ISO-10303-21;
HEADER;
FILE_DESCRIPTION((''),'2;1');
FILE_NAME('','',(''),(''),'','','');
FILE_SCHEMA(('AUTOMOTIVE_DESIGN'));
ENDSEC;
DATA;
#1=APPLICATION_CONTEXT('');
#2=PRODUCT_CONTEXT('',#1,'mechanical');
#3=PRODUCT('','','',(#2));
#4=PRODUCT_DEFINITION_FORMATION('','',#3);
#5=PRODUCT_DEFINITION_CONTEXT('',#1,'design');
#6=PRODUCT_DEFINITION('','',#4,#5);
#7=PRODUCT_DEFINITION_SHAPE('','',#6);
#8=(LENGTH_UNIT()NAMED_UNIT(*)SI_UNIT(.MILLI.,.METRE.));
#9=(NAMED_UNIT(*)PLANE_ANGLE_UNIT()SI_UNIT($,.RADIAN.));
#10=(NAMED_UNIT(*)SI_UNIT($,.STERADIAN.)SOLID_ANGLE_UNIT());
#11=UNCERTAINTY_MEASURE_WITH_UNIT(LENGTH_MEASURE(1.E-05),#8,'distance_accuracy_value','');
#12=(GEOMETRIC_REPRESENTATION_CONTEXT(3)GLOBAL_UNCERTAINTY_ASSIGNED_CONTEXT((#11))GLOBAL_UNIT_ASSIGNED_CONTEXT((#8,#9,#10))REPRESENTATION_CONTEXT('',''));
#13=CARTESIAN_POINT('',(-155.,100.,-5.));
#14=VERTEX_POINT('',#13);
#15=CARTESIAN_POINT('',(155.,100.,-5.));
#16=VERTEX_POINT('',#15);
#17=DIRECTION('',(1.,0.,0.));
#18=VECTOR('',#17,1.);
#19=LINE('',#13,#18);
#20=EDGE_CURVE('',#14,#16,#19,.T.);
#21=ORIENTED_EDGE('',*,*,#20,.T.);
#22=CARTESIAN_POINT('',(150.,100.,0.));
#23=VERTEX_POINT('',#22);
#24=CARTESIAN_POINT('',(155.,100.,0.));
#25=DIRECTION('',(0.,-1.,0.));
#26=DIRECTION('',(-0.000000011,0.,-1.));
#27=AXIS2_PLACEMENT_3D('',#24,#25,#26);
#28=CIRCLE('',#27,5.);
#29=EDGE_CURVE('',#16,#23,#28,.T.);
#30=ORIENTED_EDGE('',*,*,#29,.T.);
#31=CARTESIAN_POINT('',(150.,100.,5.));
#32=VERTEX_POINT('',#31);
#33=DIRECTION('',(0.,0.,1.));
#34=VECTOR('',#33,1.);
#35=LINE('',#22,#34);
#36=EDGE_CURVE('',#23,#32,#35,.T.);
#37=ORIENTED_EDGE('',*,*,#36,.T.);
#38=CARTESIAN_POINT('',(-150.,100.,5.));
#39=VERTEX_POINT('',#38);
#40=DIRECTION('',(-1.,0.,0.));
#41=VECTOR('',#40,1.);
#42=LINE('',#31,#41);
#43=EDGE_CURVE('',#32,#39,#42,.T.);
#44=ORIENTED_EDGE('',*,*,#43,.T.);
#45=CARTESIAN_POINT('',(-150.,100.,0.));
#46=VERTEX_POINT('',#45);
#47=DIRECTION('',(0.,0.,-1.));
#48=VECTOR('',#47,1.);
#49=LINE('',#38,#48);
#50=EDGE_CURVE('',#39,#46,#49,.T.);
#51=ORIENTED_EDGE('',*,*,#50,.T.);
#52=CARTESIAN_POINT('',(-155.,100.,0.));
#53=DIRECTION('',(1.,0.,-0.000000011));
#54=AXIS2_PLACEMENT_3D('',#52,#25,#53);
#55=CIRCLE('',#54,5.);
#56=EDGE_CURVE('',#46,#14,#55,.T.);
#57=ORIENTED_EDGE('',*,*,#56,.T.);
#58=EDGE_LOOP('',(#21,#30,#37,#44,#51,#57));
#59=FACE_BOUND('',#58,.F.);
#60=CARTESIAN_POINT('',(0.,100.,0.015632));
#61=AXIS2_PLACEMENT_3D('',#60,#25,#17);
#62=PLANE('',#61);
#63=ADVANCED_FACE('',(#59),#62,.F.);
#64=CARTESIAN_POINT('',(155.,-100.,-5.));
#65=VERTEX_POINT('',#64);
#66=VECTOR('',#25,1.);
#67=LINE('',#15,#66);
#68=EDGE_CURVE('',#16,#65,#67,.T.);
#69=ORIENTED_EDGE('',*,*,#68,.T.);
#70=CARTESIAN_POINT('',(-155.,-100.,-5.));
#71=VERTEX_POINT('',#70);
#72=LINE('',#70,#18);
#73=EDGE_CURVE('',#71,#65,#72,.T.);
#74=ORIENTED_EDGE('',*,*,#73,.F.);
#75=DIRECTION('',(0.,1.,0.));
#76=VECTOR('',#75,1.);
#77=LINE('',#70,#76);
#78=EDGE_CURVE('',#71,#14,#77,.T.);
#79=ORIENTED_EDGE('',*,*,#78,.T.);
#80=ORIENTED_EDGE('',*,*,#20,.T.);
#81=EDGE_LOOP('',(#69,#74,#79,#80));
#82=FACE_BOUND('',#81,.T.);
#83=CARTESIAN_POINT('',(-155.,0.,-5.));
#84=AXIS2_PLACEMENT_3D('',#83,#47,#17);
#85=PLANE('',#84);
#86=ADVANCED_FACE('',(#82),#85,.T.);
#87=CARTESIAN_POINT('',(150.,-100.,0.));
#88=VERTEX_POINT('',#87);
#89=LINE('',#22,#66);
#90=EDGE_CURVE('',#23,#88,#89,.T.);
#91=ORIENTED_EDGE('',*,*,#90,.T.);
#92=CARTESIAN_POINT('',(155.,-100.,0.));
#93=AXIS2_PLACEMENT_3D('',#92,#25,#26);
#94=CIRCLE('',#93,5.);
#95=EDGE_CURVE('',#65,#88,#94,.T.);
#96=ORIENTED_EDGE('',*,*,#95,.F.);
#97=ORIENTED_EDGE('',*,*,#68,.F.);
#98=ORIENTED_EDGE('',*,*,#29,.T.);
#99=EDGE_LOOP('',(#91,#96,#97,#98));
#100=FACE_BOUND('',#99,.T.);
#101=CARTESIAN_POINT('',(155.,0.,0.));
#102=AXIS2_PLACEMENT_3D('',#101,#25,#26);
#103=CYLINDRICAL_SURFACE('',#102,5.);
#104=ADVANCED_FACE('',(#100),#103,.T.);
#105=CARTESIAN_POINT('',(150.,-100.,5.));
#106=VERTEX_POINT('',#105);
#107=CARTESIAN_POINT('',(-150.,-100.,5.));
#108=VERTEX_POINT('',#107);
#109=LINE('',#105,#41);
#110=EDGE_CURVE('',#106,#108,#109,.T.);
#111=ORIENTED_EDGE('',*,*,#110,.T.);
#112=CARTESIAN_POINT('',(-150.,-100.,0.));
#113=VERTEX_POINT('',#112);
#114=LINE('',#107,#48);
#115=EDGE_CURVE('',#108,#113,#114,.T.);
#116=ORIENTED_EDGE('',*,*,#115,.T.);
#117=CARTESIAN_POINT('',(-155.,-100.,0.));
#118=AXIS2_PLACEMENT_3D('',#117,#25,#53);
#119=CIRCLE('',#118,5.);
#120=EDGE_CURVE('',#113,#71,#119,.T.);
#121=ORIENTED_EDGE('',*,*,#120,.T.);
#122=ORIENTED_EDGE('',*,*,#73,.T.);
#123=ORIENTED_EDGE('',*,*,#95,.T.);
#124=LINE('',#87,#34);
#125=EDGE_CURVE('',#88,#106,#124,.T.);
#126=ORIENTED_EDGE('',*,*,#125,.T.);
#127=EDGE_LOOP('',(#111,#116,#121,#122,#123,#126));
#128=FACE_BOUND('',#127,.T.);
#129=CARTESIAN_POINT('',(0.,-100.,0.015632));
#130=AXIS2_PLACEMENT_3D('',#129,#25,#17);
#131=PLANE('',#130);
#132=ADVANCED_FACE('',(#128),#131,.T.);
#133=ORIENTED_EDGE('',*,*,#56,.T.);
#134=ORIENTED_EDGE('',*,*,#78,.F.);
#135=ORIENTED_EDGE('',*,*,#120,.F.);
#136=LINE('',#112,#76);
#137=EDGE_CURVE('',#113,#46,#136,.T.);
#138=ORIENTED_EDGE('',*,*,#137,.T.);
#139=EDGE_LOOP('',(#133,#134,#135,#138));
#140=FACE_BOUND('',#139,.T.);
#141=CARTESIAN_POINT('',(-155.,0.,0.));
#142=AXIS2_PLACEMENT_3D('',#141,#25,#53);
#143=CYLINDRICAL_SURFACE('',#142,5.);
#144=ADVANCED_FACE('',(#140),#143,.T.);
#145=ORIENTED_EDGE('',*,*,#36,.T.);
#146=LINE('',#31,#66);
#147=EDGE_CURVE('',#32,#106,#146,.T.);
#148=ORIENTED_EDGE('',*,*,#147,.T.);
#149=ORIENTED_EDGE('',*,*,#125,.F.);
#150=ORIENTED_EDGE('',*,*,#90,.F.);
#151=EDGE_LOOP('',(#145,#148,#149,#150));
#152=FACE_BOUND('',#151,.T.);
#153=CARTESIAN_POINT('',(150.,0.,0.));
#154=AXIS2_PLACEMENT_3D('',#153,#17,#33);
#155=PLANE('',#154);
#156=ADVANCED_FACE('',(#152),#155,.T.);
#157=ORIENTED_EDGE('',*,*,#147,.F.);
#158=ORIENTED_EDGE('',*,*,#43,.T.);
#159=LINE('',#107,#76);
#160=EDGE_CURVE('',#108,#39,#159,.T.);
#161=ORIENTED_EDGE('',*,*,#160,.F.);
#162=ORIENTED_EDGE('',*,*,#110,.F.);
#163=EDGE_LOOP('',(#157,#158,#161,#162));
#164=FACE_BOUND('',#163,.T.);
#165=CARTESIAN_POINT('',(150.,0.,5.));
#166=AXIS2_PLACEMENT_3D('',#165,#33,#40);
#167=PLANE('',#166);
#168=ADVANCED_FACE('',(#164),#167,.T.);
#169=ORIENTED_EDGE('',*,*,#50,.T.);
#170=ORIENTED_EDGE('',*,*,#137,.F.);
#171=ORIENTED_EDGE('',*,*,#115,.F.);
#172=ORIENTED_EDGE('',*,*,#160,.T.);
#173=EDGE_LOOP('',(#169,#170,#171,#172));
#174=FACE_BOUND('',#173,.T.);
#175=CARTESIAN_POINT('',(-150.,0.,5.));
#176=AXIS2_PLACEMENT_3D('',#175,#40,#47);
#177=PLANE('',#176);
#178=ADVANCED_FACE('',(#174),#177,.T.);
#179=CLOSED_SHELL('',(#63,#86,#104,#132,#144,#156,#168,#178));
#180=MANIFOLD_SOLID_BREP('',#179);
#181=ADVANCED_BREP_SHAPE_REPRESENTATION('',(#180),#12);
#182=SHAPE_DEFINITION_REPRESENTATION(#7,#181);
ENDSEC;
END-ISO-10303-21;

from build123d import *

# Parameters (mm, degrees)
F1_DEPTH = 100


with BuildPart() as f1:
    # F0 (on Front) → F1 (new body, symmetric)
    with BuildSketch(Plane.XZ):
        with BuildLine():
            Line((-155, -5), (155, -5))
            ThreePointArc((155, -5), (158.535534, 3.535534), (150, 0))
            Line((150, 0), (150, 5))
            Line((150, 5), (-150, 5))
            Line((-150, 5), (-150, 0))
            ThreePointArc((-150, 0), (-158.535534, 3.535534), (-155, -5))
        make_face()
    extrude(amount=F1_DEPTH, both=True)


solid = f1.part
